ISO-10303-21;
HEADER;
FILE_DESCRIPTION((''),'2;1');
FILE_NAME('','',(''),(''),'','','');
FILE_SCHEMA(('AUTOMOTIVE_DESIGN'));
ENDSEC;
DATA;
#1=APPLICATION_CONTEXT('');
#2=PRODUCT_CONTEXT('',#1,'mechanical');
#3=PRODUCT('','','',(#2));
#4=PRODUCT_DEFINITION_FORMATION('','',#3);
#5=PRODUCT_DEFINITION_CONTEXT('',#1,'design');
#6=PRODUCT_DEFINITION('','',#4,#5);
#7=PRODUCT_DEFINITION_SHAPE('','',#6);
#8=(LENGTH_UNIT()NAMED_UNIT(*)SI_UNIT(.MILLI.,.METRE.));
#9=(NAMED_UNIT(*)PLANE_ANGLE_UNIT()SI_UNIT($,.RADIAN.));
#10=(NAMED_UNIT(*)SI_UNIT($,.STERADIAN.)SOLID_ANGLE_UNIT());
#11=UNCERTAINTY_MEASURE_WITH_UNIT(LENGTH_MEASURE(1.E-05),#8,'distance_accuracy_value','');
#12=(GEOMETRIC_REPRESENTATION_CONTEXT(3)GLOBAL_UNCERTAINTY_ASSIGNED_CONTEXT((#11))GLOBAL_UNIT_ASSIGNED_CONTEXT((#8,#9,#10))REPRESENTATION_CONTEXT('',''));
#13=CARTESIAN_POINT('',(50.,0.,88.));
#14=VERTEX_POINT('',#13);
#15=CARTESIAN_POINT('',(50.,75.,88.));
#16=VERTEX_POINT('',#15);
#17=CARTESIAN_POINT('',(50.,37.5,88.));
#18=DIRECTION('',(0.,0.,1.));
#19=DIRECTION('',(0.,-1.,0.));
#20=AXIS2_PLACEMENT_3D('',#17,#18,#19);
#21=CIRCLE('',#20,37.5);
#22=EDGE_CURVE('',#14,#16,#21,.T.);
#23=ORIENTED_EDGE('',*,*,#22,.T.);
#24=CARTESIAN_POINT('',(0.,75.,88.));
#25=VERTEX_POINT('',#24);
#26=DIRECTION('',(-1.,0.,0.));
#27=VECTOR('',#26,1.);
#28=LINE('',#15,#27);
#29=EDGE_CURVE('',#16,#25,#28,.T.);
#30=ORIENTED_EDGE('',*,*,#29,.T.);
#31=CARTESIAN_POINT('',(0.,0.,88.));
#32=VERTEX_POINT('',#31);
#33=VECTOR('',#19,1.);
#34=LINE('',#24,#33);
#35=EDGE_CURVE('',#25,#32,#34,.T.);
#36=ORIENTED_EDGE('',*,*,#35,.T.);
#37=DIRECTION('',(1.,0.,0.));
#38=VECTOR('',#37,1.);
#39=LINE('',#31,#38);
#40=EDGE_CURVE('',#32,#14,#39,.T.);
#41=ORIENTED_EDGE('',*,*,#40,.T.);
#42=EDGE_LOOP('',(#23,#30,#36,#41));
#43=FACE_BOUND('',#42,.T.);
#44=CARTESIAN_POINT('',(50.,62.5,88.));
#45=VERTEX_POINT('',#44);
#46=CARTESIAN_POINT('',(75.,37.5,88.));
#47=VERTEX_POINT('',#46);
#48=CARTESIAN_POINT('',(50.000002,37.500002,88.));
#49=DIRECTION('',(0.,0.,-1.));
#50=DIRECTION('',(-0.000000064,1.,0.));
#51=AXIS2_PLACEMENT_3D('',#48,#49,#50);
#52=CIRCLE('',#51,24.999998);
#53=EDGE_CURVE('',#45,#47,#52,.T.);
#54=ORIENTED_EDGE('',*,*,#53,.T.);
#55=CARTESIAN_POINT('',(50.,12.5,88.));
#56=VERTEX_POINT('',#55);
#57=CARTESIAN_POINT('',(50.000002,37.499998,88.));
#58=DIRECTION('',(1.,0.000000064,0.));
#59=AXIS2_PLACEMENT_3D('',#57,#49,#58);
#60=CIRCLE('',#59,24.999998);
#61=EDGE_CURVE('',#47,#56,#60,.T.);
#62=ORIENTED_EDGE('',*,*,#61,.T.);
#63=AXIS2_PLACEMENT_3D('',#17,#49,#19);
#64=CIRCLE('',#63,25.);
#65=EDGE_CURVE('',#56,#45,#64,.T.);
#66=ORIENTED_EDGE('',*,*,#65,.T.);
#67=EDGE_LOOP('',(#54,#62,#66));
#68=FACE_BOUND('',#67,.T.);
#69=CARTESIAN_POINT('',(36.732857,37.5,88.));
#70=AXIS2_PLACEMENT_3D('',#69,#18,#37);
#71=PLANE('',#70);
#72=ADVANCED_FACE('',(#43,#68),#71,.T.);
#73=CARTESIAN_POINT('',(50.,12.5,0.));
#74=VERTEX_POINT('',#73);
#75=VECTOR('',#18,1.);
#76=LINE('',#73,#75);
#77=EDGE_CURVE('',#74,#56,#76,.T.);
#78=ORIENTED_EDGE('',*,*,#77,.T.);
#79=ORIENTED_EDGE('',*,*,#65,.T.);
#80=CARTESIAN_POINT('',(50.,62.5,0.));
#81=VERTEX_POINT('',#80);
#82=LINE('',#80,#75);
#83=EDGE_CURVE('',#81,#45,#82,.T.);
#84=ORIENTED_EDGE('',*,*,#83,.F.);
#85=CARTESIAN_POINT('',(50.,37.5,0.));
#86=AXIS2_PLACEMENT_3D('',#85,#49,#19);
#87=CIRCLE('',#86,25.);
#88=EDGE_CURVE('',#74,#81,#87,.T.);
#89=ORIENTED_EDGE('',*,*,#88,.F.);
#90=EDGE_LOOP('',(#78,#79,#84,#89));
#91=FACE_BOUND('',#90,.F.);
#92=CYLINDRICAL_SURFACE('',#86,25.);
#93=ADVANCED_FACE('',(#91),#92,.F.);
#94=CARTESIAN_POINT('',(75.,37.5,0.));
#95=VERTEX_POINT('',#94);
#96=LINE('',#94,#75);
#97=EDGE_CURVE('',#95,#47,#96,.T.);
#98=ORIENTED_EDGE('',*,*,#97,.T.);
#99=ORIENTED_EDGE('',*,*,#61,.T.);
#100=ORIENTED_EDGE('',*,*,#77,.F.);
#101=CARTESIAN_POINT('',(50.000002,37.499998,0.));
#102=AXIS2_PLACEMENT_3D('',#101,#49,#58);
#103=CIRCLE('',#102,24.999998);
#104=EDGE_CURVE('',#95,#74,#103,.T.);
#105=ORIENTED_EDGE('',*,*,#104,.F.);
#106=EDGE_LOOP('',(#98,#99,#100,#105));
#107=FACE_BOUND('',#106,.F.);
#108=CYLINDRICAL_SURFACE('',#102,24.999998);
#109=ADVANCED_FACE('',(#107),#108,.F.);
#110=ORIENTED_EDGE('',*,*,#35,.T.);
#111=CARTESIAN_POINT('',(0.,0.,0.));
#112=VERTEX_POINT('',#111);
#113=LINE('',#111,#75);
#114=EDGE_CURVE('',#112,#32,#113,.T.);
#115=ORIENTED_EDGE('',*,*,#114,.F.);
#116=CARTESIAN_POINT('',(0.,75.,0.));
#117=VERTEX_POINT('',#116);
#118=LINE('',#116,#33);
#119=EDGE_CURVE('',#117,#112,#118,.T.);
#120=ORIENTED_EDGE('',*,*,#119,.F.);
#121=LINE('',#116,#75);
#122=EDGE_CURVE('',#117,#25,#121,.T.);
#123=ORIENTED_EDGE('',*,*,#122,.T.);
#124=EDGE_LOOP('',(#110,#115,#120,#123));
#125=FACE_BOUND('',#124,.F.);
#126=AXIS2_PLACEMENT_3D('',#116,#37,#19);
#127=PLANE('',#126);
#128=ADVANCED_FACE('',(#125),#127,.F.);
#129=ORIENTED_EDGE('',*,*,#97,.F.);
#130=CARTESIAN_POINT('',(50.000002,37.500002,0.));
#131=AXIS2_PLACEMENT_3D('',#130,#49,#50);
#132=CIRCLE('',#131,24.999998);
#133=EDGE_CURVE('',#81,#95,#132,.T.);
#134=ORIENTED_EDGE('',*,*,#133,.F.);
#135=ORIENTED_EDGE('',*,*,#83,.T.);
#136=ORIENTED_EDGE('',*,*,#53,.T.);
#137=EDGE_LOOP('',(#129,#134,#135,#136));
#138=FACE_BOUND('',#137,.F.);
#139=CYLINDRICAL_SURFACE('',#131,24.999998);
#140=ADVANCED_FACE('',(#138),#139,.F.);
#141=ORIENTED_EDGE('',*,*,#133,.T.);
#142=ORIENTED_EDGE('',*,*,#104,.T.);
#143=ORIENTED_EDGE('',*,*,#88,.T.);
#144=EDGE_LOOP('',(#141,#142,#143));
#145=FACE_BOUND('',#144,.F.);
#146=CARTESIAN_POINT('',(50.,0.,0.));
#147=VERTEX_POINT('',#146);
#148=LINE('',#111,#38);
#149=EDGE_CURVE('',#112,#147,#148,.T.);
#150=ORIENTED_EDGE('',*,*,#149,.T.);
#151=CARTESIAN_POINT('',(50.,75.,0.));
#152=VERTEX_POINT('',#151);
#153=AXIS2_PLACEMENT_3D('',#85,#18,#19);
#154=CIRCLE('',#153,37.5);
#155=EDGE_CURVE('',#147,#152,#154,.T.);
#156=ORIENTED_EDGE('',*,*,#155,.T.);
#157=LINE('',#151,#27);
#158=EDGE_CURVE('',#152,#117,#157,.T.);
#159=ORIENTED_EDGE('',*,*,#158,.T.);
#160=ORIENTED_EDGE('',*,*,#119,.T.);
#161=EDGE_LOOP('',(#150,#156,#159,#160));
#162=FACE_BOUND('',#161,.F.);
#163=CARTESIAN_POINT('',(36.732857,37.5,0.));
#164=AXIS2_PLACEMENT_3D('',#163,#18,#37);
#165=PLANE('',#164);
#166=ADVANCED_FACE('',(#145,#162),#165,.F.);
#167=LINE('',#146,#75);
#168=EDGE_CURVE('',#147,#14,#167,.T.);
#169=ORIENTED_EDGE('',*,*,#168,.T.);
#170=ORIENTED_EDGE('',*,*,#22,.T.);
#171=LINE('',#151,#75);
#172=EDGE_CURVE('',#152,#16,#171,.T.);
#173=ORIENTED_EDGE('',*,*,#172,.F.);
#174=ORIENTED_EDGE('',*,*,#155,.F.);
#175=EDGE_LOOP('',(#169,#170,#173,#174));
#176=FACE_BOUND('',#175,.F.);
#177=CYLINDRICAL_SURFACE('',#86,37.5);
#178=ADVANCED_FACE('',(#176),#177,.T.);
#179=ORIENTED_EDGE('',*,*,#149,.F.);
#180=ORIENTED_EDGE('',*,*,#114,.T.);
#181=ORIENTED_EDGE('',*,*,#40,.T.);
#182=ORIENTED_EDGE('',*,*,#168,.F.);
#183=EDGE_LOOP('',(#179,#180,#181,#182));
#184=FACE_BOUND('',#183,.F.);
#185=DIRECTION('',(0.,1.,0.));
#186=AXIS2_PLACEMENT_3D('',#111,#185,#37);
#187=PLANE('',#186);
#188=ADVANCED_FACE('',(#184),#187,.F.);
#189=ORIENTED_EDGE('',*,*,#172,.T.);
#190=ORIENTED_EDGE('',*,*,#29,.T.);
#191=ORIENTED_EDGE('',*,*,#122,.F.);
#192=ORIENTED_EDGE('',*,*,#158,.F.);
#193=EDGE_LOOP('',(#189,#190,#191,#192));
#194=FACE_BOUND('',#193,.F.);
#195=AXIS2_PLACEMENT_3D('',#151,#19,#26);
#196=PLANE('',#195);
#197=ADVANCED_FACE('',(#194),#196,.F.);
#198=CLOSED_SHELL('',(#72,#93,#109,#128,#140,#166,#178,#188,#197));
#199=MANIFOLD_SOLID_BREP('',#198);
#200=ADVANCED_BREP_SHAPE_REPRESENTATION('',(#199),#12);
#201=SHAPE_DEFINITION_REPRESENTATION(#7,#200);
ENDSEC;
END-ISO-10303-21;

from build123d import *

# Parameters (mm, degrees)
F1_DEPTH = 88


with BuildPart() as f1:
    # F0 (on Top) → F1 (new body)
    with BuildSketch(Plane.XY):
        with BuildLine():
            Line((0, 75), (0, 0))
            Line((0, 0), (50, 0))
            ThreePointArc((50, 0), (87.5, 37.5), (50, 75))
            Line((50, 75), (0, 75))
        make_face()
        with BuildLine():
            ThreePointArc((75, 37.5), (67.67767, 19.82233), (50, 12.5))
            ThreePointArc((50, 12.5), (25, 37.5), (50, 62.5))
            ThreePointArc((50, 62.5), (67.67767, 55.17767), (75, 37.5))
        make_face(mode=Mode.SUBTRACT)
    extrude(amount=F1_DEPTH)


solid = f1.part
